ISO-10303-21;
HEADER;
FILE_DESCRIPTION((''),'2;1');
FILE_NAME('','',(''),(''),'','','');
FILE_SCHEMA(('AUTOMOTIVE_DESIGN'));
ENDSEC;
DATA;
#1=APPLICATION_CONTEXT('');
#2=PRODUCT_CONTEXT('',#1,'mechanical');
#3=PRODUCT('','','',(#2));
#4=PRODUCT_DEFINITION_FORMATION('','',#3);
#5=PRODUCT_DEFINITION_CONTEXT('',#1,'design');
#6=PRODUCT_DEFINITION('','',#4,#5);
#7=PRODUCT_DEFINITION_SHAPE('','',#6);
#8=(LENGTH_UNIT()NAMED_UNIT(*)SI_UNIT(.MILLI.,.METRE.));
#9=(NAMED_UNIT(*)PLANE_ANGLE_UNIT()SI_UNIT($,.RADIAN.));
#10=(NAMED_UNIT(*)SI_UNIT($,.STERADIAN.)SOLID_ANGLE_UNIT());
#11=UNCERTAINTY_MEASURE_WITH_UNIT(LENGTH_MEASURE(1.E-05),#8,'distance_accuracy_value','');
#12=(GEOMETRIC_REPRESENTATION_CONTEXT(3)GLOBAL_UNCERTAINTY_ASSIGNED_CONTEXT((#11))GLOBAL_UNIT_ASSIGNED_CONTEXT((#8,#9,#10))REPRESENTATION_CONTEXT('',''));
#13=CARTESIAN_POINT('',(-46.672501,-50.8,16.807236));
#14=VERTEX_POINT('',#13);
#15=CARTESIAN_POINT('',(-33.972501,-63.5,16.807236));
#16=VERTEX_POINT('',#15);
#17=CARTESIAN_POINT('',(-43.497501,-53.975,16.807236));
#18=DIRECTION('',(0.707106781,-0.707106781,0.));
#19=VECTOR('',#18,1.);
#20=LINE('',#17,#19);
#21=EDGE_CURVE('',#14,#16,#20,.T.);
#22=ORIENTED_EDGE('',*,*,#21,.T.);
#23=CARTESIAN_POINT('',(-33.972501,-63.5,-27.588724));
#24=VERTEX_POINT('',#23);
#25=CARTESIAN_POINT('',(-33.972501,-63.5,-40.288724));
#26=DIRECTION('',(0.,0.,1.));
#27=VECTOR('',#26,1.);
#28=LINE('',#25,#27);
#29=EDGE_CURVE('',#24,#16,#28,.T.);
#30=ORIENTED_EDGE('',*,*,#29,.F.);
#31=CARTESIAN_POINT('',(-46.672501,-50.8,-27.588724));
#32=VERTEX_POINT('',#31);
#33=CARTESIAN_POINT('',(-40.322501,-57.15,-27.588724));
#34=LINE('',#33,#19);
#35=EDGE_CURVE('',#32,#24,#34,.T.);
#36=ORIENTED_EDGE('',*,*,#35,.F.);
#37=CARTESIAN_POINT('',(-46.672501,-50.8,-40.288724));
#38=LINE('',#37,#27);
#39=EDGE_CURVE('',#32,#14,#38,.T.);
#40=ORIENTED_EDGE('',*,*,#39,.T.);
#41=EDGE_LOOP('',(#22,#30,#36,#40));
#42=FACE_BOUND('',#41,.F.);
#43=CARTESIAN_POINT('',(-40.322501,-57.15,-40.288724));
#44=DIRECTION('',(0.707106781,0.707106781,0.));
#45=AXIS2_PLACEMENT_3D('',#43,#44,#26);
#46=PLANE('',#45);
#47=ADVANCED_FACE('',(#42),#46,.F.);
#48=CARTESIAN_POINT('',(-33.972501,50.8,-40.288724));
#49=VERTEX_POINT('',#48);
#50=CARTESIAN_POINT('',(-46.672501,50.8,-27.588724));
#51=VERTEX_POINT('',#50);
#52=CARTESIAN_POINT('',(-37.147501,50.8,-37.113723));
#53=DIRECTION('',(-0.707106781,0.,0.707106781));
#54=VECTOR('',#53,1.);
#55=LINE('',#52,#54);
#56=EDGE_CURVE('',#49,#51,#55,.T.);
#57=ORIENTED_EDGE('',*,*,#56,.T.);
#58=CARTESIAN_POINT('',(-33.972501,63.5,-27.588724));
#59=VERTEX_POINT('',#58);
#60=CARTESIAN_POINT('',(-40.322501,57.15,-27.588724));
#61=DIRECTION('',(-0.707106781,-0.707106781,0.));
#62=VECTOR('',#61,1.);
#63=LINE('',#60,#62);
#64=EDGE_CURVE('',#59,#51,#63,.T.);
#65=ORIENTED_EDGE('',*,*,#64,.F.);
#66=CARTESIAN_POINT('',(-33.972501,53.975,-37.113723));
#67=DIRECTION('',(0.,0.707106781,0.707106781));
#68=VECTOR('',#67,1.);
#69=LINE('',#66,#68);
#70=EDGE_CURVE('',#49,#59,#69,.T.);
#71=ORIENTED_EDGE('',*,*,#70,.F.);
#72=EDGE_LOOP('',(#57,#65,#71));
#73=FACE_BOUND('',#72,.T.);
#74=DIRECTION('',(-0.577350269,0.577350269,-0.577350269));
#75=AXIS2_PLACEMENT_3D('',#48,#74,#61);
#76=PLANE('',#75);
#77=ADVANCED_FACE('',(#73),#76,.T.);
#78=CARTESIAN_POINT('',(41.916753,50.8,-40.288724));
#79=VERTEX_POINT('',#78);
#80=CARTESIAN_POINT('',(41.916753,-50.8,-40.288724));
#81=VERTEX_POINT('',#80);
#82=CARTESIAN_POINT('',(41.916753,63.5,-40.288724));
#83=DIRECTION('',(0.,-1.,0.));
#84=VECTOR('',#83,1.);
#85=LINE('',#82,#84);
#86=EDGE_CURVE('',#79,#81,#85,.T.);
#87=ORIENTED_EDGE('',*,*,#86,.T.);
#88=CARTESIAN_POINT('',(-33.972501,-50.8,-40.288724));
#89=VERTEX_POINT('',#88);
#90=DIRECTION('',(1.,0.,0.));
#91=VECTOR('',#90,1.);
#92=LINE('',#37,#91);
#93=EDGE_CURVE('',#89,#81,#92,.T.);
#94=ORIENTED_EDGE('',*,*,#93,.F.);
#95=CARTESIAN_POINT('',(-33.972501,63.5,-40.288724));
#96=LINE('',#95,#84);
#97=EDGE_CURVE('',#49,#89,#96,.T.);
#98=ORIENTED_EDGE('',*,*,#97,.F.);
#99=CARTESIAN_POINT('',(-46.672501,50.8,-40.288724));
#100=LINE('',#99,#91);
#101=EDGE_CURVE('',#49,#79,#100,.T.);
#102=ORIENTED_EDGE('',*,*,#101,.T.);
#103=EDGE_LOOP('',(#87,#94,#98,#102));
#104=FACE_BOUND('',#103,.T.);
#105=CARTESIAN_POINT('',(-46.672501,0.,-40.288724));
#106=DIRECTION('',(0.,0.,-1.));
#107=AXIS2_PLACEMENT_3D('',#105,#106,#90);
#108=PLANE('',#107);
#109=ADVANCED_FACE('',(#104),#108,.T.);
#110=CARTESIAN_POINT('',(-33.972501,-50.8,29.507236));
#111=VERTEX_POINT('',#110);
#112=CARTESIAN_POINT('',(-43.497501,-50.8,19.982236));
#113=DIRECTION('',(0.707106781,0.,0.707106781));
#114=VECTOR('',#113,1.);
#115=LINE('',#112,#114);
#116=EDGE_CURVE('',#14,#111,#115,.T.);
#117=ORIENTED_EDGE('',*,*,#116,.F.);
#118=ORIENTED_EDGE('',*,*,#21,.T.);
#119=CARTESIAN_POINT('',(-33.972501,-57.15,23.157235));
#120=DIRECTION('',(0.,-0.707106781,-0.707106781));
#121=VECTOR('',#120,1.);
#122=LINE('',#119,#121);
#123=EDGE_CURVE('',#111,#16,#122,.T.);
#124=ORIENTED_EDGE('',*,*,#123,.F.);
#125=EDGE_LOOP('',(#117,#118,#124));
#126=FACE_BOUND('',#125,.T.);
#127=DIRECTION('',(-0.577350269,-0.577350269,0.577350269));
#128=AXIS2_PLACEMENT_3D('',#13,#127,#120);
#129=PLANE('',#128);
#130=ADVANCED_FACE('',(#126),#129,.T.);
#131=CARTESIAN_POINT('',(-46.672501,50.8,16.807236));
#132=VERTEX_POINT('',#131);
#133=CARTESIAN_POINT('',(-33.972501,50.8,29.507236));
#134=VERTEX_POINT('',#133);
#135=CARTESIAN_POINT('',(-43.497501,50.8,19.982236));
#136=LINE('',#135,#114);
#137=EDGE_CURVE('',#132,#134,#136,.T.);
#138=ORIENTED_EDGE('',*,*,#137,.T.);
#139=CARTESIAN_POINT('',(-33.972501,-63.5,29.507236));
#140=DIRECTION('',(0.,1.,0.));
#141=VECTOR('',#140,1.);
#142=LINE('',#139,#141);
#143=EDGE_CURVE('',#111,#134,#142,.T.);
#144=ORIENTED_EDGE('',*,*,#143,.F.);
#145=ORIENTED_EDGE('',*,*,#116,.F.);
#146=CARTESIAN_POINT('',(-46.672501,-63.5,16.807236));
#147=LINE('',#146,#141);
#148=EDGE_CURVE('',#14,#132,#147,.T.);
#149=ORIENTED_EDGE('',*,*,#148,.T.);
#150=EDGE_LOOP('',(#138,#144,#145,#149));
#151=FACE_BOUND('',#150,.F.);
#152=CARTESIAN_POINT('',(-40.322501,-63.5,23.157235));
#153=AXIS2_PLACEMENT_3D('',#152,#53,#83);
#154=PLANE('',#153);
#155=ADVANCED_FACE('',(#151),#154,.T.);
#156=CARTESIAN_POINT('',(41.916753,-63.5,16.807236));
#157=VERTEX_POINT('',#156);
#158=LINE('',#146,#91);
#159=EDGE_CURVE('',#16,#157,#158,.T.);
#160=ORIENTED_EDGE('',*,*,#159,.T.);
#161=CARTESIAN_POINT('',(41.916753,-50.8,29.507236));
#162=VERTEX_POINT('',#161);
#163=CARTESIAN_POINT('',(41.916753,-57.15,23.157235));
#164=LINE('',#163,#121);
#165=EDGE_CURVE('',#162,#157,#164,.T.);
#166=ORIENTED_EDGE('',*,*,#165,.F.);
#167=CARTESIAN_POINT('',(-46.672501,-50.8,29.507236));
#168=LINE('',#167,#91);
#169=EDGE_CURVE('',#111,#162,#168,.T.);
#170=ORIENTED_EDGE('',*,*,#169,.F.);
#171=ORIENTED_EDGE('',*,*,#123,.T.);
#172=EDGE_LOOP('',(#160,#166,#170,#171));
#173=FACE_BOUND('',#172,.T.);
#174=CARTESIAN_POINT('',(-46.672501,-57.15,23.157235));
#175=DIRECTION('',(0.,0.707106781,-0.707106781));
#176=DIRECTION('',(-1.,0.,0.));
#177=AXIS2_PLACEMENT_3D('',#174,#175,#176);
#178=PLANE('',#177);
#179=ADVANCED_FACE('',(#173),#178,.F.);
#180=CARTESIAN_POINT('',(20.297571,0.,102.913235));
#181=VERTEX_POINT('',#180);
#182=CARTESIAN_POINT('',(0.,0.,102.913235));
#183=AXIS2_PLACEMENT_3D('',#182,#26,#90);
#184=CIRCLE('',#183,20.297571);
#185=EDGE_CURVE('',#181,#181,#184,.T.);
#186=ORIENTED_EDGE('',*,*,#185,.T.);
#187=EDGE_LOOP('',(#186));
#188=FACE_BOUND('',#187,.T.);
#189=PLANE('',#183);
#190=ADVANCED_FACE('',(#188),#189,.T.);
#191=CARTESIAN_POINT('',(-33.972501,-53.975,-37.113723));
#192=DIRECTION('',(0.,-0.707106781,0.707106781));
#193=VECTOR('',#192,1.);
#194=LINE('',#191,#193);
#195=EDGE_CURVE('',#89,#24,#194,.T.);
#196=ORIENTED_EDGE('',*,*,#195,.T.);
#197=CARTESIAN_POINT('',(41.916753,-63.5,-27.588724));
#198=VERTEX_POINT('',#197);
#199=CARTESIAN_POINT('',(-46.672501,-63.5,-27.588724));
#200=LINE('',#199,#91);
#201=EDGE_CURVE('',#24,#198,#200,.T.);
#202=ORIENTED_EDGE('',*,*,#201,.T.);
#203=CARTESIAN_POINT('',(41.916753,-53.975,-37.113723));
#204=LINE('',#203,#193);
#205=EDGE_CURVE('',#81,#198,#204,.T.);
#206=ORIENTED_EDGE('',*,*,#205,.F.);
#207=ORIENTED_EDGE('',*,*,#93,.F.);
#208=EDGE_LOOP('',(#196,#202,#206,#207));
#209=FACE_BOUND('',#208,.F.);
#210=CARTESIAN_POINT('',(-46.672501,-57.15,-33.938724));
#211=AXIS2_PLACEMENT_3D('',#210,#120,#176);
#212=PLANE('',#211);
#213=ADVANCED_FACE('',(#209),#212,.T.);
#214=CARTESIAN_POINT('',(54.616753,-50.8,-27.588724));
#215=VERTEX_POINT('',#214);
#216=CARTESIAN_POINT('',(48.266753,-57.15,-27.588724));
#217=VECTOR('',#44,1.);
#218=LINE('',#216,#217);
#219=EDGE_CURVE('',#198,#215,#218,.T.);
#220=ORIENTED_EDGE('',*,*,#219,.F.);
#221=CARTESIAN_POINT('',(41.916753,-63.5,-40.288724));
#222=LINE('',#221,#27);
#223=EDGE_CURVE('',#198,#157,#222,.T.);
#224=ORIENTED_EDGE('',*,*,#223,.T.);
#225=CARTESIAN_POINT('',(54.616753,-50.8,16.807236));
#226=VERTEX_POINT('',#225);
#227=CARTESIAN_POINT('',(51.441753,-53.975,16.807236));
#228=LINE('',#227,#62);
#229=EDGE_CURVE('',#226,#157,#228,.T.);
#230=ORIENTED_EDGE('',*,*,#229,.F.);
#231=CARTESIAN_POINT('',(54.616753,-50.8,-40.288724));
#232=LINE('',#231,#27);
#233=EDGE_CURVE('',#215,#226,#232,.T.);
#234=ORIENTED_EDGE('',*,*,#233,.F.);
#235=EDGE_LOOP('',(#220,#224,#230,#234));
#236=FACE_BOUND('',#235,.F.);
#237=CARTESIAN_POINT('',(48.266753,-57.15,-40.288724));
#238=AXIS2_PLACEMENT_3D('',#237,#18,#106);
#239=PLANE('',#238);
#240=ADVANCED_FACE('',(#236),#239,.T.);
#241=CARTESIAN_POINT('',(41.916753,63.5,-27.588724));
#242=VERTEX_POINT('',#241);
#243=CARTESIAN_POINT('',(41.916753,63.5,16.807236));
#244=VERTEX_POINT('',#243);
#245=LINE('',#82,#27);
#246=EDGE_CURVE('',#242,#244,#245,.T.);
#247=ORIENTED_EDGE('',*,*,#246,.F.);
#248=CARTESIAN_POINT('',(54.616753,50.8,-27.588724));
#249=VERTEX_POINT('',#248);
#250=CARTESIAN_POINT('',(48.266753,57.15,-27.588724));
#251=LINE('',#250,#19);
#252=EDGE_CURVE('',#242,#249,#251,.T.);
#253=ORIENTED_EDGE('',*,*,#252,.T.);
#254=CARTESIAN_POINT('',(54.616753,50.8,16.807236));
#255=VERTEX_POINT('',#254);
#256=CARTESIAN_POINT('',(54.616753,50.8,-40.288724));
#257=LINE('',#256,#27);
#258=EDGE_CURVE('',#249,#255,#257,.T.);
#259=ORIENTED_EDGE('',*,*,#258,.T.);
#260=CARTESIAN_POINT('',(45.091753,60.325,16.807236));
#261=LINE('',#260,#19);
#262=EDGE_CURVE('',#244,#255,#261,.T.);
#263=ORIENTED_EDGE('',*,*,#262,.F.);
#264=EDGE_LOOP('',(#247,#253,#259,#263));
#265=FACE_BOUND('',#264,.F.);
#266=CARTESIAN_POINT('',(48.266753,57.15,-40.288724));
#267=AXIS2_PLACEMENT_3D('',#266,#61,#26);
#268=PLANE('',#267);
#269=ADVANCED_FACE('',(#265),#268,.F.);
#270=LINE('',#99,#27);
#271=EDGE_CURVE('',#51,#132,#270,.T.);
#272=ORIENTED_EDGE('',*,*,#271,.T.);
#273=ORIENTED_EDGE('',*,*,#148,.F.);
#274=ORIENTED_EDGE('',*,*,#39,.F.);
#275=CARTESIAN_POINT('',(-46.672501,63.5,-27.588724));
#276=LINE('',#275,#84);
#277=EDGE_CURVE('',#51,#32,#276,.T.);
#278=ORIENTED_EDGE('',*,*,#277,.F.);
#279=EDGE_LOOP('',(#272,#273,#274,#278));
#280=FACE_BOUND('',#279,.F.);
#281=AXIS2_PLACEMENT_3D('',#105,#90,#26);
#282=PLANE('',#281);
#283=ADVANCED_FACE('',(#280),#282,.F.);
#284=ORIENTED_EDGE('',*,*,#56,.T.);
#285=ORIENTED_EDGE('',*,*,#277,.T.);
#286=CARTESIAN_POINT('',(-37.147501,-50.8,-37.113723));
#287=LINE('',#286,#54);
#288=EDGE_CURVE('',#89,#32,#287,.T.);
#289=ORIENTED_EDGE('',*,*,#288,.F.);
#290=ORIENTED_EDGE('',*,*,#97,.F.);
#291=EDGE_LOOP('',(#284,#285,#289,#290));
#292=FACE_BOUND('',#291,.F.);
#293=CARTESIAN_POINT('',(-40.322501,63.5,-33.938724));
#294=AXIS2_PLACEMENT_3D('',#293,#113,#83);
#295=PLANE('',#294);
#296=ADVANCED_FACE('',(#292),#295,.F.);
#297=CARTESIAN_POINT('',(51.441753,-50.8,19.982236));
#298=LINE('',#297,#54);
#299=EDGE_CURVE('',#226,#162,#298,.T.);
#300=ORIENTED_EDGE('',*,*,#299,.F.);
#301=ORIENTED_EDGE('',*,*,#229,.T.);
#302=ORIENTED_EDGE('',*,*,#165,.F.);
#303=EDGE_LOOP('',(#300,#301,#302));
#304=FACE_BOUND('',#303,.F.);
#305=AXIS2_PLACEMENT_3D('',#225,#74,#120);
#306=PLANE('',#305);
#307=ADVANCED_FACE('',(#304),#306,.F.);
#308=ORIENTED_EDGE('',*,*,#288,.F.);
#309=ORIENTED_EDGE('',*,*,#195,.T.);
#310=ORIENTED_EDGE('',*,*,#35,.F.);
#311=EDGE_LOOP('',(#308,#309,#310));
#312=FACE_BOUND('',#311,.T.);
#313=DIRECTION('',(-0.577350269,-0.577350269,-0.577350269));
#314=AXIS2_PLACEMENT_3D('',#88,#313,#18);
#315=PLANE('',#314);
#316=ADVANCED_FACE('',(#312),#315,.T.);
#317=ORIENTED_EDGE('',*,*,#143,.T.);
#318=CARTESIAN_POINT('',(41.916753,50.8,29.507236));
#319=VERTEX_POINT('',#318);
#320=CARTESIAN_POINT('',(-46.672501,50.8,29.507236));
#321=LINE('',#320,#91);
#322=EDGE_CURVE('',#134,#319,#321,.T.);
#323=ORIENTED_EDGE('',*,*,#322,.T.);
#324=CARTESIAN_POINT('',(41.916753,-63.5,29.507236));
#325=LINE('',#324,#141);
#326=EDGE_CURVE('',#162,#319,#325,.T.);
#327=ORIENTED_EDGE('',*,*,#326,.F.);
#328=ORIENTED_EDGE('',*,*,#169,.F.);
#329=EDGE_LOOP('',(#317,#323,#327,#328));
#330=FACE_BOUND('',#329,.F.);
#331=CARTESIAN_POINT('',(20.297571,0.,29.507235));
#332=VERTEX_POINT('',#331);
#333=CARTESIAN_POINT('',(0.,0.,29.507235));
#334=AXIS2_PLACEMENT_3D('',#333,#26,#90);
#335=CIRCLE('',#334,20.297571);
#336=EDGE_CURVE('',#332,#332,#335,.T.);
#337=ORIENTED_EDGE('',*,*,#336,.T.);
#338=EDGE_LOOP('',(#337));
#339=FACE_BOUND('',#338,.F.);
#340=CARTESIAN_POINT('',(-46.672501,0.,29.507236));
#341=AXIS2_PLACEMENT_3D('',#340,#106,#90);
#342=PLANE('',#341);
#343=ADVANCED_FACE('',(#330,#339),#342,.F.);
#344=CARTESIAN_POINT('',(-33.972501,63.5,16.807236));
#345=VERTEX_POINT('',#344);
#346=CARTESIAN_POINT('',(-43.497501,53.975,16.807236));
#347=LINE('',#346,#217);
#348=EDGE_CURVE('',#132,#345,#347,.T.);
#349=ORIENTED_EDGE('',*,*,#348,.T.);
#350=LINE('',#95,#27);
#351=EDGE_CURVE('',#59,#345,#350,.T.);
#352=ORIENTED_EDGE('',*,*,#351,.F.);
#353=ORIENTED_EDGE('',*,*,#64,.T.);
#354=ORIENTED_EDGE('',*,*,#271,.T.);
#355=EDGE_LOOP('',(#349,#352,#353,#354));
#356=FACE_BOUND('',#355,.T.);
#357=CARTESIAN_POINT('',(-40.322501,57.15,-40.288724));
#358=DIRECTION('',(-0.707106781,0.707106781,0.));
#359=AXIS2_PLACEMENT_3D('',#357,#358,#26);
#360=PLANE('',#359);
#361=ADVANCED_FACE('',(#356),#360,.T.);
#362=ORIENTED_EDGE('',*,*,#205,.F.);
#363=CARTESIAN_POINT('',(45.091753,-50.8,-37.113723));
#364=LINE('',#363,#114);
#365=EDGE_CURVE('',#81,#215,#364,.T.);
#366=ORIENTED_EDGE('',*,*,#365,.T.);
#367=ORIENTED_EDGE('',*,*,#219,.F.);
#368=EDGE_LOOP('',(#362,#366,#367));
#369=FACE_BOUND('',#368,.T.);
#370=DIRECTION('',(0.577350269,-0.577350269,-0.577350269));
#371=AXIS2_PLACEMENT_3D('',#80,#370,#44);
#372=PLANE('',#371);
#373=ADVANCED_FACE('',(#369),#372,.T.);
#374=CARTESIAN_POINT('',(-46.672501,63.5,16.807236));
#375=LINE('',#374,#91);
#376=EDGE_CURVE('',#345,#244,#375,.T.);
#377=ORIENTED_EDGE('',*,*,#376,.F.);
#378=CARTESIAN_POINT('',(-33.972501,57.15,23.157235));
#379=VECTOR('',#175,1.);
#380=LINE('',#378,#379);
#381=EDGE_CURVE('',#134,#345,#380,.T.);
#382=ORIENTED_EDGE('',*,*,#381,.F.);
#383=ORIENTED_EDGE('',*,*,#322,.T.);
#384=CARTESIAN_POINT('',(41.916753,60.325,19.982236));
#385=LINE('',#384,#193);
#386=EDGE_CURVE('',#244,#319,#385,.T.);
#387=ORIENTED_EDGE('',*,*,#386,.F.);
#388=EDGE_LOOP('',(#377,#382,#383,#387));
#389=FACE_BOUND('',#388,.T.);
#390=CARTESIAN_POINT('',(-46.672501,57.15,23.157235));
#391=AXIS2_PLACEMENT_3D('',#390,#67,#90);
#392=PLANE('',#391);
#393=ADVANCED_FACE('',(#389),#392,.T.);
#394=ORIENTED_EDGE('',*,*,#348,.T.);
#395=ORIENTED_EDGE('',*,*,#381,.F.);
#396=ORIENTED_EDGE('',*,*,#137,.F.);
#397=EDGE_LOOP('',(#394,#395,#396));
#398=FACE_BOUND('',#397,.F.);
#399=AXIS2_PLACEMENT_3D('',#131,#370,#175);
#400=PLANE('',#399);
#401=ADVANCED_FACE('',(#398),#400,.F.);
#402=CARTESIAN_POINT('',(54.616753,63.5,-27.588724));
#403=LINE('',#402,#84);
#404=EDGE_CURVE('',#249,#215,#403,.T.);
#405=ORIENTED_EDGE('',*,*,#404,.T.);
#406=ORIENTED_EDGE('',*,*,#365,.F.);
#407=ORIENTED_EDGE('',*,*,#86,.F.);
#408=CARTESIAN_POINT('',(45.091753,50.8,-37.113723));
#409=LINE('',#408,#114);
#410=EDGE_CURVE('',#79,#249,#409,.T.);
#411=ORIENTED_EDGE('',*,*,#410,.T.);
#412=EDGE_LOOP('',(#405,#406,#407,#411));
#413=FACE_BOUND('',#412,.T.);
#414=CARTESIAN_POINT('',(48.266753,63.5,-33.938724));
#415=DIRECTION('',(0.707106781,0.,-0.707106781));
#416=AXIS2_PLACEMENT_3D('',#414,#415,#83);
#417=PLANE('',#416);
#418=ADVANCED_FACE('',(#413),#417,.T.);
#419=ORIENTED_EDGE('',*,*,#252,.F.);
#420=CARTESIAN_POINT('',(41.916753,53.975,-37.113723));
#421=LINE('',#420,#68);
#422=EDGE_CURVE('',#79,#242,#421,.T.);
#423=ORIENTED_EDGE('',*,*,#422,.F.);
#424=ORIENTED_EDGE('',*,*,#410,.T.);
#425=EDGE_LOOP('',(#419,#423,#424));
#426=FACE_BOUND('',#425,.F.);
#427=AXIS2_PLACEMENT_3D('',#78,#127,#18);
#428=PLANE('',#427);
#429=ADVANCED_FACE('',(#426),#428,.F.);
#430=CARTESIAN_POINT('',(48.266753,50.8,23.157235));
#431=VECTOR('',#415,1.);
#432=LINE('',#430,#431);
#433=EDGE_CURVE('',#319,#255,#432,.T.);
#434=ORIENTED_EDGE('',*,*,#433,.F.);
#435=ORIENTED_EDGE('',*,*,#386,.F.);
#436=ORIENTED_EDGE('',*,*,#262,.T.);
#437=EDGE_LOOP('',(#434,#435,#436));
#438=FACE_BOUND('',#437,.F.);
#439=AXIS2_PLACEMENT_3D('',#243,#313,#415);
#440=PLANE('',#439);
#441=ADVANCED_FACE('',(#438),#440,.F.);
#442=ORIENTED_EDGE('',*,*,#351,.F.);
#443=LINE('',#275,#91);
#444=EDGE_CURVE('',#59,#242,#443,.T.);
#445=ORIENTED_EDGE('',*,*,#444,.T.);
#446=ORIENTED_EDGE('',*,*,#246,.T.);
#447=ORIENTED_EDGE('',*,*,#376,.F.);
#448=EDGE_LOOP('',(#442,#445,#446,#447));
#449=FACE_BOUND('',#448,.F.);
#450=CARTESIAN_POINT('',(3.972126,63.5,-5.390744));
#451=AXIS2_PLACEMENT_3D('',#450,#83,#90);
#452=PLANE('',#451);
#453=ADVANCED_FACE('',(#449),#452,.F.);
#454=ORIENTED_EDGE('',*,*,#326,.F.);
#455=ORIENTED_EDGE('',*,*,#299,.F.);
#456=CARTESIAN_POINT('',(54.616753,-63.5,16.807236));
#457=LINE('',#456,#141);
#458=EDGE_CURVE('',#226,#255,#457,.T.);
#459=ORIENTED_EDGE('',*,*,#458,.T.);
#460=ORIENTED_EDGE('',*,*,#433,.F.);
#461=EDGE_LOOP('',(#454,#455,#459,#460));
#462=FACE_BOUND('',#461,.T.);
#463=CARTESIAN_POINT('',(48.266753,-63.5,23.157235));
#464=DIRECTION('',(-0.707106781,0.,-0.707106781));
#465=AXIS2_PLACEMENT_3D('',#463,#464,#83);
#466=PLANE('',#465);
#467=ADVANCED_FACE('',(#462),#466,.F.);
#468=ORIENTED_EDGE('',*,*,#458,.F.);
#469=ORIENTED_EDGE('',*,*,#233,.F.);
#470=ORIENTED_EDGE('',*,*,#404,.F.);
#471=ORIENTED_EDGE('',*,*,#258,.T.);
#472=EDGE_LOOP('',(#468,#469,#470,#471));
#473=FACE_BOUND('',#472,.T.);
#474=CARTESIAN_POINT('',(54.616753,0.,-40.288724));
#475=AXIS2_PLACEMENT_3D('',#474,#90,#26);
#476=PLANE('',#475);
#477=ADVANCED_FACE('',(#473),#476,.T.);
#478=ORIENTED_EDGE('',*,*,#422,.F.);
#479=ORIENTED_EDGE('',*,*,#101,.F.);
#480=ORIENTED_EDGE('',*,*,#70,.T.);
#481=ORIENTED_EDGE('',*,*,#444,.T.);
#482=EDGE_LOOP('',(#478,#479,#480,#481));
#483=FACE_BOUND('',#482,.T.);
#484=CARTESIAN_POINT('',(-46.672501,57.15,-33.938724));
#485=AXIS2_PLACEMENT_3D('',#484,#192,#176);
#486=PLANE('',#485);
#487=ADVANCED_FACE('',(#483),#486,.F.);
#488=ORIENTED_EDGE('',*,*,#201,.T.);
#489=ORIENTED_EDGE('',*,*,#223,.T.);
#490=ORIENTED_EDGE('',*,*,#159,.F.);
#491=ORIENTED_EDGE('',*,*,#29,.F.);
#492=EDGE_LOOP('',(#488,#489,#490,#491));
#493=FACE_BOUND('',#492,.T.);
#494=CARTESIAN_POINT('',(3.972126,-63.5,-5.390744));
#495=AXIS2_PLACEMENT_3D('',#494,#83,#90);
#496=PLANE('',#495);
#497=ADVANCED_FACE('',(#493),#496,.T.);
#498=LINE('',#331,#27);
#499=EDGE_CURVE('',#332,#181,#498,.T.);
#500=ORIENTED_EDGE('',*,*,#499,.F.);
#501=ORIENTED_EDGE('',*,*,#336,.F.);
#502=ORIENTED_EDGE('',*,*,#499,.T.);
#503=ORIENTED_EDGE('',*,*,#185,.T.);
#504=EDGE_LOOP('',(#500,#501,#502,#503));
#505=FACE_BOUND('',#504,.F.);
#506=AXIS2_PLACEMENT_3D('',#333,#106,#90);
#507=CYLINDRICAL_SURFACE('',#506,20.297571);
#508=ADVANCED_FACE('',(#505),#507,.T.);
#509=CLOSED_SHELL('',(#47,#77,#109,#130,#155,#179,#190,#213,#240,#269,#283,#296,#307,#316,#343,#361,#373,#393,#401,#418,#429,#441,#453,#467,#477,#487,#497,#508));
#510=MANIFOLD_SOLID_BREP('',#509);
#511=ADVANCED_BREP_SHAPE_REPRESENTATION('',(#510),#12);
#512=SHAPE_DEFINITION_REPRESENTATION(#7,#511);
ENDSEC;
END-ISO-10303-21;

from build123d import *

# Parameters (mm, degrees)
F0_W     = 101.289254
F0_H     = 69.795959
F1_DEPTH = 63.5
F2_SIZE  = 12.7
F3_R     = 20.297571
F4_DEPTH = 73.406


with BuildPart() as f1:
    # F0 (on Front) → F1 (new body, symmetric)
    with BuildSketch(Plane.XZ):
        with Locations((3.972126, -5.390744)):
            Rectangle(F0_W, F0_H)
    extrude(amount=F1_DEPTH, both=True)

    # F2
    f2_edges = [f1.edges().sort_by_distance(p)[0] for p in [
        (3.972126, -63.5, 29.507235),
        (54.616753, 0, 29.507235),
        (3.972126, 63.5, 29.507235),
        (-46.672501, 0, 29.507235),
        (54.616753, -63.5, -5.390745),
        (54.616753, 63.5, -5.390745),
        (-46.672501, -63.5, -5.390745),
        (-46.672501, 63.5, -5.390745),
        (3.972126, 63.5, -40.288724),
        (-46.672501, 0, -40.288724),
        (3.972126, -63.5, -40.288724),
        (54.616753, 0, -40.288724),
    ]]
    chamfer(f2_edges, length=F2_SIZE)

    # F3 (on face) → F4 (join)
    with BuildSketch(Plane.XY.offset(29.507235)):
        Circle(F3_R)
    extrude(amount=F4_DEPTH)


solid = f1.part
